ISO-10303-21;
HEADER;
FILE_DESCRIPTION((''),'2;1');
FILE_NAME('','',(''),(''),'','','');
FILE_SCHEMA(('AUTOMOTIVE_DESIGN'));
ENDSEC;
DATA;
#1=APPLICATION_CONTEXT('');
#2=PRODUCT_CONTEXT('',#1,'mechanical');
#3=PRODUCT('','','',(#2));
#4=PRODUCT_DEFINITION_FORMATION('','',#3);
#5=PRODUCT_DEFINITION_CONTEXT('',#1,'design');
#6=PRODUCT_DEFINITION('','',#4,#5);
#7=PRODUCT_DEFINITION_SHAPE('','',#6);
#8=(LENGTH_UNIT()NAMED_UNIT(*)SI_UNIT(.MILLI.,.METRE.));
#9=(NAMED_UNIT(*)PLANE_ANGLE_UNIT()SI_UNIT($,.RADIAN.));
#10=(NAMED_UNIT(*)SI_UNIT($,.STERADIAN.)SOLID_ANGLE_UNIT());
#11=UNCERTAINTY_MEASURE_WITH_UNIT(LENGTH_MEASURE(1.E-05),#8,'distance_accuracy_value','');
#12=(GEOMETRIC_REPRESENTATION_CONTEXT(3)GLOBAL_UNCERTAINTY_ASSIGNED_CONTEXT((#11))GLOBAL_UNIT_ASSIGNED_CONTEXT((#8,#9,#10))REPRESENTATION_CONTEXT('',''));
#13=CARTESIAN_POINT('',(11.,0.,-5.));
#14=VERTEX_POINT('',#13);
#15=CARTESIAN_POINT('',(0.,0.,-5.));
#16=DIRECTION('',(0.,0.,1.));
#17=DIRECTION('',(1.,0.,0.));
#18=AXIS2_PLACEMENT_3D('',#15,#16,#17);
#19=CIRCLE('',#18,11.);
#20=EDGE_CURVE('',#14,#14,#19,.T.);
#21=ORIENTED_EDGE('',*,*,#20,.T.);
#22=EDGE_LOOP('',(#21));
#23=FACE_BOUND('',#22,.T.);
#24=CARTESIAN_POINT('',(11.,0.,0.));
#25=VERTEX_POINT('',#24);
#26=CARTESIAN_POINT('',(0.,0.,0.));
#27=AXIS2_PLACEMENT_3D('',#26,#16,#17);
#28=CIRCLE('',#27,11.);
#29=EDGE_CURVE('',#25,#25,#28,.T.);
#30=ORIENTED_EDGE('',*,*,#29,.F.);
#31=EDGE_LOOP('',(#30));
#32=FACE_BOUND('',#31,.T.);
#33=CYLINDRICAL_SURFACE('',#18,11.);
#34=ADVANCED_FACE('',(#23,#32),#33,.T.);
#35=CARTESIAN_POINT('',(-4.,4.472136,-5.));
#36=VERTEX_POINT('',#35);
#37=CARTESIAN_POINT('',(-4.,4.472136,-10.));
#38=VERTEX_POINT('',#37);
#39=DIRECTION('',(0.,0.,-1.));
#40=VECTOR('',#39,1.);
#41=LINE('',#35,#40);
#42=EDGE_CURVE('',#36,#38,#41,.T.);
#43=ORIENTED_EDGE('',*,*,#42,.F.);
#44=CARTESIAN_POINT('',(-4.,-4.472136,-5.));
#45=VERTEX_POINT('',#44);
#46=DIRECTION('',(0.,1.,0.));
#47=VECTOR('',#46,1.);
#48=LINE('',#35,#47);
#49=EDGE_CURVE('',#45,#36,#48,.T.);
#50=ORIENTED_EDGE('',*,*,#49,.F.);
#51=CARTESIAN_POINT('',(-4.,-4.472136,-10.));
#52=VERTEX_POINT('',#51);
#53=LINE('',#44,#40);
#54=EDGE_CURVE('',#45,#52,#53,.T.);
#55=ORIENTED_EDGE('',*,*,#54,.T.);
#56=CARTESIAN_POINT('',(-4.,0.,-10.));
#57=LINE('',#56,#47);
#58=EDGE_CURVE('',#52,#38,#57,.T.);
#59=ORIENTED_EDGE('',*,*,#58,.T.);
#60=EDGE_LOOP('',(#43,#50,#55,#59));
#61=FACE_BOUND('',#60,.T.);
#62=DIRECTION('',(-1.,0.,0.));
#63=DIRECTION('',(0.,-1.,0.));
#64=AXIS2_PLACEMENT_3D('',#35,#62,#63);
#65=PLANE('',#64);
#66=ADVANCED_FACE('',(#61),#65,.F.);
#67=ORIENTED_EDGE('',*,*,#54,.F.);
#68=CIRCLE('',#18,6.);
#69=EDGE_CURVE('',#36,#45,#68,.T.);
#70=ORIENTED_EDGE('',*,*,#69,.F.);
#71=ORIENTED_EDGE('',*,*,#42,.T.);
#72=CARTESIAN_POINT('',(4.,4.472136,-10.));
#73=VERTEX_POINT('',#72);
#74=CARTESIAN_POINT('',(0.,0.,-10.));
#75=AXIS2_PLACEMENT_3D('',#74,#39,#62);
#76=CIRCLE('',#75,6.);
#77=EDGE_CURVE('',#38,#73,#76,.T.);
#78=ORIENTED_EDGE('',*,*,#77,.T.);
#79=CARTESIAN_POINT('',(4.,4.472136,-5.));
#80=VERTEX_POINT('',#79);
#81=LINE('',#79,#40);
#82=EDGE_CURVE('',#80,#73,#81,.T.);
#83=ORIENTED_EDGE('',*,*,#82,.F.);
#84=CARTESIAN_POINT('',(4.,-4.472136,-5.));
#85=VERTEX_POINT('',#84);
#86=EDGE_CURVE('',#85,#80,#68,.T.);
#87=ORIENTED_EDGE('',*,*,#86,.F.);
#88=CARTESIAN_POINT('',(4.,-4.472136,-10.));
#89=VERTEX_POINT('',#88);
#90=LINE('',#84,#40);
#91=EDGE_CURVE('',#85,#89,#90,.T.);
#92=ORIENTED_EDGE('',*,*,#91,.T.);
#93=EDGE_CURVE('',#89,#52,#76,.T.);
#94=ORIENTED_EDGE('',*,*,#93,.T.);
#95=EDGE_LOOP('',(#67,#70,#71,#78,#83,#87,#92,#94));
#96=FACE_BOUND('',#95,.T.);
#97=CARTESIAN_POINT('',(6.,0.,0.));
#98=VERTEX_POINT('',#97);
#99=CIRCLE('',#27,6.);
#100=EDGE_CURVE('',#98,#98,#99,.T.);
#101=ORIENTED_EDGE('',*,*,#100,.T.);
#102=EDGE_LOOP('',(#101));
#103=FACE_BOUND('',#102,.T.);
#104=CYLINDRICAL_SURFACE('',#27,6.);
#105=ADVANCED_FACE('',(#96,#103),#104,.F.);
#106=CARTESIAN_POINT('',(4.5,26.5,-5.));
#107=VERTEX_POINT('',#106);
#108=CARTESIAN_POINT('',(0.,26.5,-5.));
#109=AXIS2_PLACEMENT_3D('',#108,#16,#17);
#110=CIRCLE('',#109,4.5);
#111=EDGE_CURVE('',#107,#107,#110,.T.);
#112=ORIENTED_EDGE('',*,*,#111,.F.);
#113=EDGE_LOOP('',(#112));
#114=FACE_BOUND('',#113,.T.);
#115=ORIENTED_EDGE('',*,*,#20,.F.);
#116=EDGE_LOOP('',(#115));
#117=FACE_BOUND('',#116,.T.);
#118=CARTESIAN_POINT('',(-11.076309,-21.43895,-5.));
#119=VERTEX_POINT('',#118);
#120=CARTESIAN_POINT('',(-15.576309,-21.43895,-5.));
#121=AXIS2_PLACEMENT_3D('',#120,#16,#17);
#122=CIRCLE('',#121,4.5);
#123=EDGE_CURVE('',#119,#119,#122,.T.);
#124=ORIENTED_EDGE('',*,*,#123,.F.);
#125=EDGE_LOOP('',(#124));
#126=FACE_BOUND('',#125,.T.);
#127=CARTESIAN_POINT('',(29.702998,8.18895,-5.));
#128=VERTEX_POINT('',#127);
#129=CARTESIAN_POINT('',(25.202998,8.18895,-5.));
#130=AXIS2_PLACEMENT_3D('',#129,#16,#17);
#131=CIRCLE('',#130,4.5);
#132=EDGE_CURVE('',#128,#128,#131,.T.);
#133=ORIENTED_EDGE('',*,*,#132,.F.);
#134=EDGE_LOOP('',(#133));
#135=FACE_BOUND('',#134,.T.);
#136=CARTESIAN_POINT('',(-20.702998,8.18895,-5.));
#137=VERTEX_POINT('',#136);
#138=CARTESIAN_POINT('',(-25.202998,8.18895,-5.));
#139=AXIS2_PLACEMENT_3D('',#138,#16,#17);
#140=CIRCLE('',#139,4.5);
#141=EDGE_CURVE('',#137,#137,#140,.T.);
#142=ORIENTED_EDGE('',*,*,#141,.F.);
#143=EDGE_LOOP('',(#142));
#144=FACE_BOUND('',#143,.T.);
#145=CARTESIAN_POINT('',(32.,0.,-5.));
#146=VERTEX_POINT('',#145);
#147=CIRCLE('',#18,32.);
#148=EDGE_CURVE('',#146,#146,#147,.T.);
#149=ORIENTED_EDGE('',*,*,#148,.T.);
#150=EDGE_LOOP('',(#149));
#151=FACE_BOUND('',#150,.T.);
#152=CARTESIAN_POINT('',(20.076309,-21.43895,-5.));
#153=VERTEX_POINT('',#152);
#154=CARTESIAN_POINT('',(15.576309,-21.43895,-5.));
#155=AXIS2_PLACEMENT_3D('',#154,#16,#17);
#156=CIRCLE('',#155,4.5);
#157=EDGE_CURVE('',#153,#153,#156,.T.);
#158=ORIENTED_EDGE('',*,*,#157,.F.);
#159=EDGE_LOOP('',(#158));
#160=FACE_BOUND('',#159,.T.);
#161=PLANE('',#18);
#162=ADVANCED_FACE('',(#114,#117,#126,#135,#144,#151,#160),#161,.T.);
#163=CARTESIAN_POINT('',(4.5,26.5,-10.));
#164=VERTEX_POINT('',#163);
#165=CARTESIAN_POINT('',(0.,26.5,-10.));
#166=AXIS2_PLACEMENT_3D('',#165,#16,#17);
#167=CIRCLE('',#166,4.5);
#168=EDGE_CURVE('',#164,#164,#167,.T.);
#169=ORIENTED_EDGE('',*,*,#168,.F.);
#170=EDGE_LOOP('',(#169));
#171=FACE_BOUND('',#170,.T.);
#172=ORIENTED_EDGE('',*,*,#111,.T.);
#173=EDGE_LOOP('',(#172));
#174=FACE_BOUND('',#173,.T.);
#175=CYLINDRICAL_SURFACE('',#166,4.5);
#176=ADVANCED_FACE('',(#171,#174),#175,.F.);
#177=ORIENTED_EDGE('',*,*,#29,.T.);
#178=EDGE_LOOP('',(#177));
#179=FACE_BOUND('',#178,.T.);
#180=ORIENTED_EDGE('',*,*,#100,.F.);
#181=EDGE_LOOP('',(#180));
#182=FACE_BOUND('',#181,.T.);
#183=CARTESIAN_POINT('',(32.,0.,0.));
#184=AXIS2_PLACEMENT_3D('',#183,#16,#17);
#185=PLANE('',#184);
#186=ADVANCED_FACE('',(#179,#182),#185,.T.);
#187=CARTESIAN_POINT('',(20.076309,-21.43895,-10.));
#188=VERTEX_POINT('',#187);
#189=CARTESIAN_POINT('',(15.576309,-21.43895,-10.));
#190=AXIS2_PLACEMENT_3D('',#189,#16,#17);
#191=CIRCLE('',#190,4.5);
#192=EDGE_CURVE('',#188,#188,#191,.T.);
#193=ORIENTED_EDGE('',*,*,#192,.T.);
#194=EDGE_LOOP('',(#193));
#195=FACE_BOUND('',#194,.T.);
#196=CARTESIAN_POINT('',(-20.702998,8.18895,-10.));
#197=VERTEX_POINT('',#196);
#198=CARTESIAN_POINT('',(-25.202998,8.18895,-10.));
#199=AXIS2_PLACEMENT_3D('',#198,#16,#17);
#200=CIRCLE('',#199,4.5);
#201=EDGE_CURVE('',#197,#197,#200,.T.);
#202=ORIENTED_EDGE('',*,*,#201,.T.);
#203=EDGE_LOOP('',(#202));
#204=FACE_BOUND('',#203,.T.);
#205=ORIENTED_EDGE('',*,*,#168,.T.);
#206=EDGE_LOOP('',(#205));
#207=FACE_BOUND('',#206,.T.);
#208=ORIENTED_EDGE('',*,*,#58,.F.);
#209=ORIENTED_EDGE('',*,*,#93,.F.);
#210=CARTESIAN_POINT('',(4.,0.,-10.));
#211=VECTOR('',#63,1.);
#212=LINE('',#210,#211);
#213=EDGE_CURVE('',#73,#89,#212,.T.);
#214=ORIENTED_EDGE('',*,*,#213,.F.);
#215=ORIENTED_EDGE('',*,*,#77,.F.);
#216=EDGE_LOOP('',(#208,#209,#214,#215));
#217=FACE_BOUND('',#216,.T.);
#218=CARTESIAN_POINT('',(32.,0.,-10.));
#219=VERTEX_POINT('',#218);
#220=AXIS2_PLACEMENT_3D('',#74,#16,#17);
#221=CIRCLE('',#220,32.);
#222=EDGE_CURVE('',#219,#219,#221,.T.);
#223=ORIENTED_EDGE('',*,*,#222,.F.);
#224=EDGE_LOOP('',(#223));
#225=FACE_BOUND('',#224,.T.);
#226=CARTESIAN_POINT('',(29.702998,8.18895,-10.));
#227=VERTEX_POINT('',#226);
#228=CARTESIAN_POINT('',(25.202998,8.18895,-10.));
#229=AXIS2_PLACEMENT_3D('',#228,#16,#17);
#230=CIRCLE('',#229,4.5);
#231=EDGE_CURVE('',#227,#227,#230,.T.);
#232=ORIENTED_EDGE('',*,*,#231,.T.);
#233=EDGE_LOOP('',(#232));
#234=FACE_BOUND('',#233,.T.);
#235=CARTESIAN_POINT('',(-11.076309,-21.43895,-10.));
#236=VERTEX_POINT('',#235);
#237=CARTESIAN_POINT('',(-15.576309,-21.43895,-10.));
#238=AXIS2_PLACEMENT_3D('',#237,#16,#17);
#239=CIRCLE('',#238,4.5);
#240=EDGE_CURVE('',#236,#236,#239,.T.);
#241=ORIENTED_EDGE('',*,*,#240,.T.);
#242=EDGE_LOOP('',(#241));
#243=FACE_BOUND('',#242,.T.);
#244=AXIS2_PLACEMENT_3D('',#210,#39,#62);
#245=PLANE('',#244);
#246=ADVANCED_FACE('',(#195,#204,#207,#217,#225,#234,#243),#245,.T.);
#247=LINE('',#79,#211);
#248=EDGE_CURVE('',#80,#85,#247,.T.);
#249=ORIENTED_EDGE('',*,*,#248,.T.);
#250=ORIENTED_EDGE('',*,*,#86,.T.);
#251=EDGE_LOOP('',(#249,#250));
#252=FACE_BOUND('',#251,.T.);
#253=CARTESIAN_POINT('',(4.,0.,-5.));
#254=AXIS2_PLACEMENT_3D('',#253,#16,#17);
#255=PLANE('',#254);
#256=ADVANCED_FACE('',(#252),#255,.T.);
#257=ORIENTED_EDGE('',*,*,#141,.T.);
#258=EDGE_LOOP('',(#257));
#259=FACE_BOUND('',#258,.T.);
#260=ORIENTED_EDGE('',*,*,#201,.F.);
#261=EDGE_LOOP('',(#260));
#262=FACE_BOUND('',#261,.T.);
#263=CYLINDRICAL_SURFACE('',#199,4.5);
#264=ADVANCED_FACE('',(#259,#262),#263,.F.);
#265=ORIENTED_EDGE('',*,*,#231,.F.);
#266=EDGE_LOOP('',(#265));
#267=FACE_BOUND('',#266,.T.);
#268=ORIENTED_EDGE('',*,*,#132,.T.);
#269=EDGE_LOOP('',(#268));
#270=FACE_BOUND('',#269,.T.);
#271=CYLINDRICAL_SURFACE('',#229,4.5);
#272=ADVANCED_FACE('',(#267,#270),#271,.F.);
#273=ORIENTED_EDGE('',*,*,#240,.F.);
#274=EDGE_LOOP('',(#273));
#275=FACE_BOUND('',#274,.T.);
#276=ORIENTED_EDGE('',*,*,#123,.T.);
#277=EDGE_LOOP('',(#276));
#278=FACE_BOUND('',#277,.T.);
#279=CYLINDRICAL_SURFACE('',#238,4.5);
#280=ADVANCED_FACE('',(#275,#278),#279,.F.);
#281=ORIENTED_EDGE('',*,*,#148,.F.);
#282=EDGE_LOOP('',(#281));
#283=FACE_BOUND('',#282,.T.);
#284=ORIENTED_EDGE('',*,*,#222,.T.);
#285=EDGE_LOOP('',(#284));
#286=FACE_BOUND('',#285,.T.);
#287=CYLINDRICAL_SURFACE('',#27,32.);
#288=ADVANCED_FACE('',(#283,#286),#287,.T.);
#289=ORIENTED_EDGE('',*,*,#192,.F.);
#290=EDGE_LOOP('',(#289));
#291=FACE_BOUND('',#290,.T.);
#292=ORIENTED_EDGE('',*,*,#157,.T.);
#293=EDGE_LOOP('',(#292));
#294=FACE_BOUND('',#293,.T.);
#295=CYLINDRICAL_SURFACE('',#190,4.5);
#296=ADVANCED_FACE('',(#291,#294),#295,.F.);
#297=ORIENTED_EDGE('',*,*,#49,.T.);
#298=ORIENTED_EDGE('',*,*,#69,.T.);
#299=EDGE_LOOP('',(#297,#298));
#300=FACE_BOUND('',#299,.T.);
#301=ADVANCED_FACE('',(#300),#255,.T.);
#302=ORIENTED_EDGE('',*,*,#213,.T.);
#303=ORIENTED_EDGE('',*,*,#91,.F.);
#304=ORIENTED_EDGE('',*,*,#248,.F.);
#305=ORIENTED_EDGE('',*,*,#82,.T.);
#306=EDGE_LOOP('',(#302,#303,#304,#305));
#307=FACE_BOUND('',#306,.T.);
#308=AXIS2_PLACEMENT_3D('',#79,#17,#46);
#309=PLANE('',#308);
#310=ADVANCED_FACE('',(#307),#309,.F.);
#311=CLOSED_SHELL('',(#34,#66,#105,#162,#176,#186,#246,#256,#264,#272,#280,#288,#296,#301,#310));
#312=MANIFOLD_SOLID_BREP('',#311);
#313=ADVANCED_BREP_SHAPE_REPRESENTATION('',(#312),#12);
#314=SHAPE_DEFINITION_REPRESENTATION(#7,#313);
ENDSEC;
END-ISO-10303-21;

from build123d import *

# Parameters (mm, degrees)
CUT_EXTRUDE1_DEPTH = 5
SKETCH3_R          = 32
SKETCH3_R_2        = 11
CUT_EXTRUDE2_DEPTH = 5
SKETCH4_R          = 4.5
CUT_EXTRUDE3_DEPTH = 5


with BuildPart() as part:
    # Sketch1 → Revolve1 (revolve)
    with BuildSketch(Plane(origin=(0, 0, 0), x_dir=(1, 0, 0), z_dir=(0, 1, 0))):
        Polygon((4, 10), (32, 10), (32, 0), (6, 0), (6, 5), (4, 5), align=None)
    revolve(axis=Axis((0, 0, 0), (0, 0, -1)))

    # Sketch2 → Cut-Extrude1 (cut)
    with BuildSketch(Plane(origin=(0, 0, -10), x_dir=(-1, 0, 0), z_dir=(0, 0, -1))):
        with BuildLine():
            Line((-4, 4.472135955), (-4, -4.472135955))
            ThreePointArc((-4, -4.472135955), (0, -6), (4, -4.472135955))
            Line((4, -4.472135955), (4, 4.472135955))
            ThreePointArc((4, 4.472135955), (0, 6), (-4, 4.472135955))
        make_face()
    extrude(amount=-CUT_EXTRUDE1_DEPTH, mode=Mode.SUBTRACT)

    # Sketch3 → Cut-Extrude2 (cut)
    with BuildSketch(Plane.XY):
        Circle(SKETCH3_R)
        Circle(SKETCH3_R_2, mode=Mode.SUBTRACT)
    extrude(amount=-CUT_EXTRUDE2_DEPTH, mode=Mode.SUBTRACT)

    # Sketch4 → Cut-Extrude3 (cut)
    with BuildSketch(Plane.XY.offset(-5)):
        with Locations((0, 26.5)):
            Circle(SKETCH4_R)
        with Locations((25.202997682, 8.188950351)):
            Circle(SKETCH4_R)
        with Locations((15.576309186, -21.438950351)):
            Circle(SKETCH4_R)
        with Locations((-15.576309186, -21.438950351)):
            Circle(SKETCH4_R)
        with Locations((-25.202997682, 8.188950351)):
            Circle(SKETCH4_R)
    extrude(amount=-CUT_EXTRUDE3_DEPTH, mode=Mode.SUBTRACT)


solid = part.part
